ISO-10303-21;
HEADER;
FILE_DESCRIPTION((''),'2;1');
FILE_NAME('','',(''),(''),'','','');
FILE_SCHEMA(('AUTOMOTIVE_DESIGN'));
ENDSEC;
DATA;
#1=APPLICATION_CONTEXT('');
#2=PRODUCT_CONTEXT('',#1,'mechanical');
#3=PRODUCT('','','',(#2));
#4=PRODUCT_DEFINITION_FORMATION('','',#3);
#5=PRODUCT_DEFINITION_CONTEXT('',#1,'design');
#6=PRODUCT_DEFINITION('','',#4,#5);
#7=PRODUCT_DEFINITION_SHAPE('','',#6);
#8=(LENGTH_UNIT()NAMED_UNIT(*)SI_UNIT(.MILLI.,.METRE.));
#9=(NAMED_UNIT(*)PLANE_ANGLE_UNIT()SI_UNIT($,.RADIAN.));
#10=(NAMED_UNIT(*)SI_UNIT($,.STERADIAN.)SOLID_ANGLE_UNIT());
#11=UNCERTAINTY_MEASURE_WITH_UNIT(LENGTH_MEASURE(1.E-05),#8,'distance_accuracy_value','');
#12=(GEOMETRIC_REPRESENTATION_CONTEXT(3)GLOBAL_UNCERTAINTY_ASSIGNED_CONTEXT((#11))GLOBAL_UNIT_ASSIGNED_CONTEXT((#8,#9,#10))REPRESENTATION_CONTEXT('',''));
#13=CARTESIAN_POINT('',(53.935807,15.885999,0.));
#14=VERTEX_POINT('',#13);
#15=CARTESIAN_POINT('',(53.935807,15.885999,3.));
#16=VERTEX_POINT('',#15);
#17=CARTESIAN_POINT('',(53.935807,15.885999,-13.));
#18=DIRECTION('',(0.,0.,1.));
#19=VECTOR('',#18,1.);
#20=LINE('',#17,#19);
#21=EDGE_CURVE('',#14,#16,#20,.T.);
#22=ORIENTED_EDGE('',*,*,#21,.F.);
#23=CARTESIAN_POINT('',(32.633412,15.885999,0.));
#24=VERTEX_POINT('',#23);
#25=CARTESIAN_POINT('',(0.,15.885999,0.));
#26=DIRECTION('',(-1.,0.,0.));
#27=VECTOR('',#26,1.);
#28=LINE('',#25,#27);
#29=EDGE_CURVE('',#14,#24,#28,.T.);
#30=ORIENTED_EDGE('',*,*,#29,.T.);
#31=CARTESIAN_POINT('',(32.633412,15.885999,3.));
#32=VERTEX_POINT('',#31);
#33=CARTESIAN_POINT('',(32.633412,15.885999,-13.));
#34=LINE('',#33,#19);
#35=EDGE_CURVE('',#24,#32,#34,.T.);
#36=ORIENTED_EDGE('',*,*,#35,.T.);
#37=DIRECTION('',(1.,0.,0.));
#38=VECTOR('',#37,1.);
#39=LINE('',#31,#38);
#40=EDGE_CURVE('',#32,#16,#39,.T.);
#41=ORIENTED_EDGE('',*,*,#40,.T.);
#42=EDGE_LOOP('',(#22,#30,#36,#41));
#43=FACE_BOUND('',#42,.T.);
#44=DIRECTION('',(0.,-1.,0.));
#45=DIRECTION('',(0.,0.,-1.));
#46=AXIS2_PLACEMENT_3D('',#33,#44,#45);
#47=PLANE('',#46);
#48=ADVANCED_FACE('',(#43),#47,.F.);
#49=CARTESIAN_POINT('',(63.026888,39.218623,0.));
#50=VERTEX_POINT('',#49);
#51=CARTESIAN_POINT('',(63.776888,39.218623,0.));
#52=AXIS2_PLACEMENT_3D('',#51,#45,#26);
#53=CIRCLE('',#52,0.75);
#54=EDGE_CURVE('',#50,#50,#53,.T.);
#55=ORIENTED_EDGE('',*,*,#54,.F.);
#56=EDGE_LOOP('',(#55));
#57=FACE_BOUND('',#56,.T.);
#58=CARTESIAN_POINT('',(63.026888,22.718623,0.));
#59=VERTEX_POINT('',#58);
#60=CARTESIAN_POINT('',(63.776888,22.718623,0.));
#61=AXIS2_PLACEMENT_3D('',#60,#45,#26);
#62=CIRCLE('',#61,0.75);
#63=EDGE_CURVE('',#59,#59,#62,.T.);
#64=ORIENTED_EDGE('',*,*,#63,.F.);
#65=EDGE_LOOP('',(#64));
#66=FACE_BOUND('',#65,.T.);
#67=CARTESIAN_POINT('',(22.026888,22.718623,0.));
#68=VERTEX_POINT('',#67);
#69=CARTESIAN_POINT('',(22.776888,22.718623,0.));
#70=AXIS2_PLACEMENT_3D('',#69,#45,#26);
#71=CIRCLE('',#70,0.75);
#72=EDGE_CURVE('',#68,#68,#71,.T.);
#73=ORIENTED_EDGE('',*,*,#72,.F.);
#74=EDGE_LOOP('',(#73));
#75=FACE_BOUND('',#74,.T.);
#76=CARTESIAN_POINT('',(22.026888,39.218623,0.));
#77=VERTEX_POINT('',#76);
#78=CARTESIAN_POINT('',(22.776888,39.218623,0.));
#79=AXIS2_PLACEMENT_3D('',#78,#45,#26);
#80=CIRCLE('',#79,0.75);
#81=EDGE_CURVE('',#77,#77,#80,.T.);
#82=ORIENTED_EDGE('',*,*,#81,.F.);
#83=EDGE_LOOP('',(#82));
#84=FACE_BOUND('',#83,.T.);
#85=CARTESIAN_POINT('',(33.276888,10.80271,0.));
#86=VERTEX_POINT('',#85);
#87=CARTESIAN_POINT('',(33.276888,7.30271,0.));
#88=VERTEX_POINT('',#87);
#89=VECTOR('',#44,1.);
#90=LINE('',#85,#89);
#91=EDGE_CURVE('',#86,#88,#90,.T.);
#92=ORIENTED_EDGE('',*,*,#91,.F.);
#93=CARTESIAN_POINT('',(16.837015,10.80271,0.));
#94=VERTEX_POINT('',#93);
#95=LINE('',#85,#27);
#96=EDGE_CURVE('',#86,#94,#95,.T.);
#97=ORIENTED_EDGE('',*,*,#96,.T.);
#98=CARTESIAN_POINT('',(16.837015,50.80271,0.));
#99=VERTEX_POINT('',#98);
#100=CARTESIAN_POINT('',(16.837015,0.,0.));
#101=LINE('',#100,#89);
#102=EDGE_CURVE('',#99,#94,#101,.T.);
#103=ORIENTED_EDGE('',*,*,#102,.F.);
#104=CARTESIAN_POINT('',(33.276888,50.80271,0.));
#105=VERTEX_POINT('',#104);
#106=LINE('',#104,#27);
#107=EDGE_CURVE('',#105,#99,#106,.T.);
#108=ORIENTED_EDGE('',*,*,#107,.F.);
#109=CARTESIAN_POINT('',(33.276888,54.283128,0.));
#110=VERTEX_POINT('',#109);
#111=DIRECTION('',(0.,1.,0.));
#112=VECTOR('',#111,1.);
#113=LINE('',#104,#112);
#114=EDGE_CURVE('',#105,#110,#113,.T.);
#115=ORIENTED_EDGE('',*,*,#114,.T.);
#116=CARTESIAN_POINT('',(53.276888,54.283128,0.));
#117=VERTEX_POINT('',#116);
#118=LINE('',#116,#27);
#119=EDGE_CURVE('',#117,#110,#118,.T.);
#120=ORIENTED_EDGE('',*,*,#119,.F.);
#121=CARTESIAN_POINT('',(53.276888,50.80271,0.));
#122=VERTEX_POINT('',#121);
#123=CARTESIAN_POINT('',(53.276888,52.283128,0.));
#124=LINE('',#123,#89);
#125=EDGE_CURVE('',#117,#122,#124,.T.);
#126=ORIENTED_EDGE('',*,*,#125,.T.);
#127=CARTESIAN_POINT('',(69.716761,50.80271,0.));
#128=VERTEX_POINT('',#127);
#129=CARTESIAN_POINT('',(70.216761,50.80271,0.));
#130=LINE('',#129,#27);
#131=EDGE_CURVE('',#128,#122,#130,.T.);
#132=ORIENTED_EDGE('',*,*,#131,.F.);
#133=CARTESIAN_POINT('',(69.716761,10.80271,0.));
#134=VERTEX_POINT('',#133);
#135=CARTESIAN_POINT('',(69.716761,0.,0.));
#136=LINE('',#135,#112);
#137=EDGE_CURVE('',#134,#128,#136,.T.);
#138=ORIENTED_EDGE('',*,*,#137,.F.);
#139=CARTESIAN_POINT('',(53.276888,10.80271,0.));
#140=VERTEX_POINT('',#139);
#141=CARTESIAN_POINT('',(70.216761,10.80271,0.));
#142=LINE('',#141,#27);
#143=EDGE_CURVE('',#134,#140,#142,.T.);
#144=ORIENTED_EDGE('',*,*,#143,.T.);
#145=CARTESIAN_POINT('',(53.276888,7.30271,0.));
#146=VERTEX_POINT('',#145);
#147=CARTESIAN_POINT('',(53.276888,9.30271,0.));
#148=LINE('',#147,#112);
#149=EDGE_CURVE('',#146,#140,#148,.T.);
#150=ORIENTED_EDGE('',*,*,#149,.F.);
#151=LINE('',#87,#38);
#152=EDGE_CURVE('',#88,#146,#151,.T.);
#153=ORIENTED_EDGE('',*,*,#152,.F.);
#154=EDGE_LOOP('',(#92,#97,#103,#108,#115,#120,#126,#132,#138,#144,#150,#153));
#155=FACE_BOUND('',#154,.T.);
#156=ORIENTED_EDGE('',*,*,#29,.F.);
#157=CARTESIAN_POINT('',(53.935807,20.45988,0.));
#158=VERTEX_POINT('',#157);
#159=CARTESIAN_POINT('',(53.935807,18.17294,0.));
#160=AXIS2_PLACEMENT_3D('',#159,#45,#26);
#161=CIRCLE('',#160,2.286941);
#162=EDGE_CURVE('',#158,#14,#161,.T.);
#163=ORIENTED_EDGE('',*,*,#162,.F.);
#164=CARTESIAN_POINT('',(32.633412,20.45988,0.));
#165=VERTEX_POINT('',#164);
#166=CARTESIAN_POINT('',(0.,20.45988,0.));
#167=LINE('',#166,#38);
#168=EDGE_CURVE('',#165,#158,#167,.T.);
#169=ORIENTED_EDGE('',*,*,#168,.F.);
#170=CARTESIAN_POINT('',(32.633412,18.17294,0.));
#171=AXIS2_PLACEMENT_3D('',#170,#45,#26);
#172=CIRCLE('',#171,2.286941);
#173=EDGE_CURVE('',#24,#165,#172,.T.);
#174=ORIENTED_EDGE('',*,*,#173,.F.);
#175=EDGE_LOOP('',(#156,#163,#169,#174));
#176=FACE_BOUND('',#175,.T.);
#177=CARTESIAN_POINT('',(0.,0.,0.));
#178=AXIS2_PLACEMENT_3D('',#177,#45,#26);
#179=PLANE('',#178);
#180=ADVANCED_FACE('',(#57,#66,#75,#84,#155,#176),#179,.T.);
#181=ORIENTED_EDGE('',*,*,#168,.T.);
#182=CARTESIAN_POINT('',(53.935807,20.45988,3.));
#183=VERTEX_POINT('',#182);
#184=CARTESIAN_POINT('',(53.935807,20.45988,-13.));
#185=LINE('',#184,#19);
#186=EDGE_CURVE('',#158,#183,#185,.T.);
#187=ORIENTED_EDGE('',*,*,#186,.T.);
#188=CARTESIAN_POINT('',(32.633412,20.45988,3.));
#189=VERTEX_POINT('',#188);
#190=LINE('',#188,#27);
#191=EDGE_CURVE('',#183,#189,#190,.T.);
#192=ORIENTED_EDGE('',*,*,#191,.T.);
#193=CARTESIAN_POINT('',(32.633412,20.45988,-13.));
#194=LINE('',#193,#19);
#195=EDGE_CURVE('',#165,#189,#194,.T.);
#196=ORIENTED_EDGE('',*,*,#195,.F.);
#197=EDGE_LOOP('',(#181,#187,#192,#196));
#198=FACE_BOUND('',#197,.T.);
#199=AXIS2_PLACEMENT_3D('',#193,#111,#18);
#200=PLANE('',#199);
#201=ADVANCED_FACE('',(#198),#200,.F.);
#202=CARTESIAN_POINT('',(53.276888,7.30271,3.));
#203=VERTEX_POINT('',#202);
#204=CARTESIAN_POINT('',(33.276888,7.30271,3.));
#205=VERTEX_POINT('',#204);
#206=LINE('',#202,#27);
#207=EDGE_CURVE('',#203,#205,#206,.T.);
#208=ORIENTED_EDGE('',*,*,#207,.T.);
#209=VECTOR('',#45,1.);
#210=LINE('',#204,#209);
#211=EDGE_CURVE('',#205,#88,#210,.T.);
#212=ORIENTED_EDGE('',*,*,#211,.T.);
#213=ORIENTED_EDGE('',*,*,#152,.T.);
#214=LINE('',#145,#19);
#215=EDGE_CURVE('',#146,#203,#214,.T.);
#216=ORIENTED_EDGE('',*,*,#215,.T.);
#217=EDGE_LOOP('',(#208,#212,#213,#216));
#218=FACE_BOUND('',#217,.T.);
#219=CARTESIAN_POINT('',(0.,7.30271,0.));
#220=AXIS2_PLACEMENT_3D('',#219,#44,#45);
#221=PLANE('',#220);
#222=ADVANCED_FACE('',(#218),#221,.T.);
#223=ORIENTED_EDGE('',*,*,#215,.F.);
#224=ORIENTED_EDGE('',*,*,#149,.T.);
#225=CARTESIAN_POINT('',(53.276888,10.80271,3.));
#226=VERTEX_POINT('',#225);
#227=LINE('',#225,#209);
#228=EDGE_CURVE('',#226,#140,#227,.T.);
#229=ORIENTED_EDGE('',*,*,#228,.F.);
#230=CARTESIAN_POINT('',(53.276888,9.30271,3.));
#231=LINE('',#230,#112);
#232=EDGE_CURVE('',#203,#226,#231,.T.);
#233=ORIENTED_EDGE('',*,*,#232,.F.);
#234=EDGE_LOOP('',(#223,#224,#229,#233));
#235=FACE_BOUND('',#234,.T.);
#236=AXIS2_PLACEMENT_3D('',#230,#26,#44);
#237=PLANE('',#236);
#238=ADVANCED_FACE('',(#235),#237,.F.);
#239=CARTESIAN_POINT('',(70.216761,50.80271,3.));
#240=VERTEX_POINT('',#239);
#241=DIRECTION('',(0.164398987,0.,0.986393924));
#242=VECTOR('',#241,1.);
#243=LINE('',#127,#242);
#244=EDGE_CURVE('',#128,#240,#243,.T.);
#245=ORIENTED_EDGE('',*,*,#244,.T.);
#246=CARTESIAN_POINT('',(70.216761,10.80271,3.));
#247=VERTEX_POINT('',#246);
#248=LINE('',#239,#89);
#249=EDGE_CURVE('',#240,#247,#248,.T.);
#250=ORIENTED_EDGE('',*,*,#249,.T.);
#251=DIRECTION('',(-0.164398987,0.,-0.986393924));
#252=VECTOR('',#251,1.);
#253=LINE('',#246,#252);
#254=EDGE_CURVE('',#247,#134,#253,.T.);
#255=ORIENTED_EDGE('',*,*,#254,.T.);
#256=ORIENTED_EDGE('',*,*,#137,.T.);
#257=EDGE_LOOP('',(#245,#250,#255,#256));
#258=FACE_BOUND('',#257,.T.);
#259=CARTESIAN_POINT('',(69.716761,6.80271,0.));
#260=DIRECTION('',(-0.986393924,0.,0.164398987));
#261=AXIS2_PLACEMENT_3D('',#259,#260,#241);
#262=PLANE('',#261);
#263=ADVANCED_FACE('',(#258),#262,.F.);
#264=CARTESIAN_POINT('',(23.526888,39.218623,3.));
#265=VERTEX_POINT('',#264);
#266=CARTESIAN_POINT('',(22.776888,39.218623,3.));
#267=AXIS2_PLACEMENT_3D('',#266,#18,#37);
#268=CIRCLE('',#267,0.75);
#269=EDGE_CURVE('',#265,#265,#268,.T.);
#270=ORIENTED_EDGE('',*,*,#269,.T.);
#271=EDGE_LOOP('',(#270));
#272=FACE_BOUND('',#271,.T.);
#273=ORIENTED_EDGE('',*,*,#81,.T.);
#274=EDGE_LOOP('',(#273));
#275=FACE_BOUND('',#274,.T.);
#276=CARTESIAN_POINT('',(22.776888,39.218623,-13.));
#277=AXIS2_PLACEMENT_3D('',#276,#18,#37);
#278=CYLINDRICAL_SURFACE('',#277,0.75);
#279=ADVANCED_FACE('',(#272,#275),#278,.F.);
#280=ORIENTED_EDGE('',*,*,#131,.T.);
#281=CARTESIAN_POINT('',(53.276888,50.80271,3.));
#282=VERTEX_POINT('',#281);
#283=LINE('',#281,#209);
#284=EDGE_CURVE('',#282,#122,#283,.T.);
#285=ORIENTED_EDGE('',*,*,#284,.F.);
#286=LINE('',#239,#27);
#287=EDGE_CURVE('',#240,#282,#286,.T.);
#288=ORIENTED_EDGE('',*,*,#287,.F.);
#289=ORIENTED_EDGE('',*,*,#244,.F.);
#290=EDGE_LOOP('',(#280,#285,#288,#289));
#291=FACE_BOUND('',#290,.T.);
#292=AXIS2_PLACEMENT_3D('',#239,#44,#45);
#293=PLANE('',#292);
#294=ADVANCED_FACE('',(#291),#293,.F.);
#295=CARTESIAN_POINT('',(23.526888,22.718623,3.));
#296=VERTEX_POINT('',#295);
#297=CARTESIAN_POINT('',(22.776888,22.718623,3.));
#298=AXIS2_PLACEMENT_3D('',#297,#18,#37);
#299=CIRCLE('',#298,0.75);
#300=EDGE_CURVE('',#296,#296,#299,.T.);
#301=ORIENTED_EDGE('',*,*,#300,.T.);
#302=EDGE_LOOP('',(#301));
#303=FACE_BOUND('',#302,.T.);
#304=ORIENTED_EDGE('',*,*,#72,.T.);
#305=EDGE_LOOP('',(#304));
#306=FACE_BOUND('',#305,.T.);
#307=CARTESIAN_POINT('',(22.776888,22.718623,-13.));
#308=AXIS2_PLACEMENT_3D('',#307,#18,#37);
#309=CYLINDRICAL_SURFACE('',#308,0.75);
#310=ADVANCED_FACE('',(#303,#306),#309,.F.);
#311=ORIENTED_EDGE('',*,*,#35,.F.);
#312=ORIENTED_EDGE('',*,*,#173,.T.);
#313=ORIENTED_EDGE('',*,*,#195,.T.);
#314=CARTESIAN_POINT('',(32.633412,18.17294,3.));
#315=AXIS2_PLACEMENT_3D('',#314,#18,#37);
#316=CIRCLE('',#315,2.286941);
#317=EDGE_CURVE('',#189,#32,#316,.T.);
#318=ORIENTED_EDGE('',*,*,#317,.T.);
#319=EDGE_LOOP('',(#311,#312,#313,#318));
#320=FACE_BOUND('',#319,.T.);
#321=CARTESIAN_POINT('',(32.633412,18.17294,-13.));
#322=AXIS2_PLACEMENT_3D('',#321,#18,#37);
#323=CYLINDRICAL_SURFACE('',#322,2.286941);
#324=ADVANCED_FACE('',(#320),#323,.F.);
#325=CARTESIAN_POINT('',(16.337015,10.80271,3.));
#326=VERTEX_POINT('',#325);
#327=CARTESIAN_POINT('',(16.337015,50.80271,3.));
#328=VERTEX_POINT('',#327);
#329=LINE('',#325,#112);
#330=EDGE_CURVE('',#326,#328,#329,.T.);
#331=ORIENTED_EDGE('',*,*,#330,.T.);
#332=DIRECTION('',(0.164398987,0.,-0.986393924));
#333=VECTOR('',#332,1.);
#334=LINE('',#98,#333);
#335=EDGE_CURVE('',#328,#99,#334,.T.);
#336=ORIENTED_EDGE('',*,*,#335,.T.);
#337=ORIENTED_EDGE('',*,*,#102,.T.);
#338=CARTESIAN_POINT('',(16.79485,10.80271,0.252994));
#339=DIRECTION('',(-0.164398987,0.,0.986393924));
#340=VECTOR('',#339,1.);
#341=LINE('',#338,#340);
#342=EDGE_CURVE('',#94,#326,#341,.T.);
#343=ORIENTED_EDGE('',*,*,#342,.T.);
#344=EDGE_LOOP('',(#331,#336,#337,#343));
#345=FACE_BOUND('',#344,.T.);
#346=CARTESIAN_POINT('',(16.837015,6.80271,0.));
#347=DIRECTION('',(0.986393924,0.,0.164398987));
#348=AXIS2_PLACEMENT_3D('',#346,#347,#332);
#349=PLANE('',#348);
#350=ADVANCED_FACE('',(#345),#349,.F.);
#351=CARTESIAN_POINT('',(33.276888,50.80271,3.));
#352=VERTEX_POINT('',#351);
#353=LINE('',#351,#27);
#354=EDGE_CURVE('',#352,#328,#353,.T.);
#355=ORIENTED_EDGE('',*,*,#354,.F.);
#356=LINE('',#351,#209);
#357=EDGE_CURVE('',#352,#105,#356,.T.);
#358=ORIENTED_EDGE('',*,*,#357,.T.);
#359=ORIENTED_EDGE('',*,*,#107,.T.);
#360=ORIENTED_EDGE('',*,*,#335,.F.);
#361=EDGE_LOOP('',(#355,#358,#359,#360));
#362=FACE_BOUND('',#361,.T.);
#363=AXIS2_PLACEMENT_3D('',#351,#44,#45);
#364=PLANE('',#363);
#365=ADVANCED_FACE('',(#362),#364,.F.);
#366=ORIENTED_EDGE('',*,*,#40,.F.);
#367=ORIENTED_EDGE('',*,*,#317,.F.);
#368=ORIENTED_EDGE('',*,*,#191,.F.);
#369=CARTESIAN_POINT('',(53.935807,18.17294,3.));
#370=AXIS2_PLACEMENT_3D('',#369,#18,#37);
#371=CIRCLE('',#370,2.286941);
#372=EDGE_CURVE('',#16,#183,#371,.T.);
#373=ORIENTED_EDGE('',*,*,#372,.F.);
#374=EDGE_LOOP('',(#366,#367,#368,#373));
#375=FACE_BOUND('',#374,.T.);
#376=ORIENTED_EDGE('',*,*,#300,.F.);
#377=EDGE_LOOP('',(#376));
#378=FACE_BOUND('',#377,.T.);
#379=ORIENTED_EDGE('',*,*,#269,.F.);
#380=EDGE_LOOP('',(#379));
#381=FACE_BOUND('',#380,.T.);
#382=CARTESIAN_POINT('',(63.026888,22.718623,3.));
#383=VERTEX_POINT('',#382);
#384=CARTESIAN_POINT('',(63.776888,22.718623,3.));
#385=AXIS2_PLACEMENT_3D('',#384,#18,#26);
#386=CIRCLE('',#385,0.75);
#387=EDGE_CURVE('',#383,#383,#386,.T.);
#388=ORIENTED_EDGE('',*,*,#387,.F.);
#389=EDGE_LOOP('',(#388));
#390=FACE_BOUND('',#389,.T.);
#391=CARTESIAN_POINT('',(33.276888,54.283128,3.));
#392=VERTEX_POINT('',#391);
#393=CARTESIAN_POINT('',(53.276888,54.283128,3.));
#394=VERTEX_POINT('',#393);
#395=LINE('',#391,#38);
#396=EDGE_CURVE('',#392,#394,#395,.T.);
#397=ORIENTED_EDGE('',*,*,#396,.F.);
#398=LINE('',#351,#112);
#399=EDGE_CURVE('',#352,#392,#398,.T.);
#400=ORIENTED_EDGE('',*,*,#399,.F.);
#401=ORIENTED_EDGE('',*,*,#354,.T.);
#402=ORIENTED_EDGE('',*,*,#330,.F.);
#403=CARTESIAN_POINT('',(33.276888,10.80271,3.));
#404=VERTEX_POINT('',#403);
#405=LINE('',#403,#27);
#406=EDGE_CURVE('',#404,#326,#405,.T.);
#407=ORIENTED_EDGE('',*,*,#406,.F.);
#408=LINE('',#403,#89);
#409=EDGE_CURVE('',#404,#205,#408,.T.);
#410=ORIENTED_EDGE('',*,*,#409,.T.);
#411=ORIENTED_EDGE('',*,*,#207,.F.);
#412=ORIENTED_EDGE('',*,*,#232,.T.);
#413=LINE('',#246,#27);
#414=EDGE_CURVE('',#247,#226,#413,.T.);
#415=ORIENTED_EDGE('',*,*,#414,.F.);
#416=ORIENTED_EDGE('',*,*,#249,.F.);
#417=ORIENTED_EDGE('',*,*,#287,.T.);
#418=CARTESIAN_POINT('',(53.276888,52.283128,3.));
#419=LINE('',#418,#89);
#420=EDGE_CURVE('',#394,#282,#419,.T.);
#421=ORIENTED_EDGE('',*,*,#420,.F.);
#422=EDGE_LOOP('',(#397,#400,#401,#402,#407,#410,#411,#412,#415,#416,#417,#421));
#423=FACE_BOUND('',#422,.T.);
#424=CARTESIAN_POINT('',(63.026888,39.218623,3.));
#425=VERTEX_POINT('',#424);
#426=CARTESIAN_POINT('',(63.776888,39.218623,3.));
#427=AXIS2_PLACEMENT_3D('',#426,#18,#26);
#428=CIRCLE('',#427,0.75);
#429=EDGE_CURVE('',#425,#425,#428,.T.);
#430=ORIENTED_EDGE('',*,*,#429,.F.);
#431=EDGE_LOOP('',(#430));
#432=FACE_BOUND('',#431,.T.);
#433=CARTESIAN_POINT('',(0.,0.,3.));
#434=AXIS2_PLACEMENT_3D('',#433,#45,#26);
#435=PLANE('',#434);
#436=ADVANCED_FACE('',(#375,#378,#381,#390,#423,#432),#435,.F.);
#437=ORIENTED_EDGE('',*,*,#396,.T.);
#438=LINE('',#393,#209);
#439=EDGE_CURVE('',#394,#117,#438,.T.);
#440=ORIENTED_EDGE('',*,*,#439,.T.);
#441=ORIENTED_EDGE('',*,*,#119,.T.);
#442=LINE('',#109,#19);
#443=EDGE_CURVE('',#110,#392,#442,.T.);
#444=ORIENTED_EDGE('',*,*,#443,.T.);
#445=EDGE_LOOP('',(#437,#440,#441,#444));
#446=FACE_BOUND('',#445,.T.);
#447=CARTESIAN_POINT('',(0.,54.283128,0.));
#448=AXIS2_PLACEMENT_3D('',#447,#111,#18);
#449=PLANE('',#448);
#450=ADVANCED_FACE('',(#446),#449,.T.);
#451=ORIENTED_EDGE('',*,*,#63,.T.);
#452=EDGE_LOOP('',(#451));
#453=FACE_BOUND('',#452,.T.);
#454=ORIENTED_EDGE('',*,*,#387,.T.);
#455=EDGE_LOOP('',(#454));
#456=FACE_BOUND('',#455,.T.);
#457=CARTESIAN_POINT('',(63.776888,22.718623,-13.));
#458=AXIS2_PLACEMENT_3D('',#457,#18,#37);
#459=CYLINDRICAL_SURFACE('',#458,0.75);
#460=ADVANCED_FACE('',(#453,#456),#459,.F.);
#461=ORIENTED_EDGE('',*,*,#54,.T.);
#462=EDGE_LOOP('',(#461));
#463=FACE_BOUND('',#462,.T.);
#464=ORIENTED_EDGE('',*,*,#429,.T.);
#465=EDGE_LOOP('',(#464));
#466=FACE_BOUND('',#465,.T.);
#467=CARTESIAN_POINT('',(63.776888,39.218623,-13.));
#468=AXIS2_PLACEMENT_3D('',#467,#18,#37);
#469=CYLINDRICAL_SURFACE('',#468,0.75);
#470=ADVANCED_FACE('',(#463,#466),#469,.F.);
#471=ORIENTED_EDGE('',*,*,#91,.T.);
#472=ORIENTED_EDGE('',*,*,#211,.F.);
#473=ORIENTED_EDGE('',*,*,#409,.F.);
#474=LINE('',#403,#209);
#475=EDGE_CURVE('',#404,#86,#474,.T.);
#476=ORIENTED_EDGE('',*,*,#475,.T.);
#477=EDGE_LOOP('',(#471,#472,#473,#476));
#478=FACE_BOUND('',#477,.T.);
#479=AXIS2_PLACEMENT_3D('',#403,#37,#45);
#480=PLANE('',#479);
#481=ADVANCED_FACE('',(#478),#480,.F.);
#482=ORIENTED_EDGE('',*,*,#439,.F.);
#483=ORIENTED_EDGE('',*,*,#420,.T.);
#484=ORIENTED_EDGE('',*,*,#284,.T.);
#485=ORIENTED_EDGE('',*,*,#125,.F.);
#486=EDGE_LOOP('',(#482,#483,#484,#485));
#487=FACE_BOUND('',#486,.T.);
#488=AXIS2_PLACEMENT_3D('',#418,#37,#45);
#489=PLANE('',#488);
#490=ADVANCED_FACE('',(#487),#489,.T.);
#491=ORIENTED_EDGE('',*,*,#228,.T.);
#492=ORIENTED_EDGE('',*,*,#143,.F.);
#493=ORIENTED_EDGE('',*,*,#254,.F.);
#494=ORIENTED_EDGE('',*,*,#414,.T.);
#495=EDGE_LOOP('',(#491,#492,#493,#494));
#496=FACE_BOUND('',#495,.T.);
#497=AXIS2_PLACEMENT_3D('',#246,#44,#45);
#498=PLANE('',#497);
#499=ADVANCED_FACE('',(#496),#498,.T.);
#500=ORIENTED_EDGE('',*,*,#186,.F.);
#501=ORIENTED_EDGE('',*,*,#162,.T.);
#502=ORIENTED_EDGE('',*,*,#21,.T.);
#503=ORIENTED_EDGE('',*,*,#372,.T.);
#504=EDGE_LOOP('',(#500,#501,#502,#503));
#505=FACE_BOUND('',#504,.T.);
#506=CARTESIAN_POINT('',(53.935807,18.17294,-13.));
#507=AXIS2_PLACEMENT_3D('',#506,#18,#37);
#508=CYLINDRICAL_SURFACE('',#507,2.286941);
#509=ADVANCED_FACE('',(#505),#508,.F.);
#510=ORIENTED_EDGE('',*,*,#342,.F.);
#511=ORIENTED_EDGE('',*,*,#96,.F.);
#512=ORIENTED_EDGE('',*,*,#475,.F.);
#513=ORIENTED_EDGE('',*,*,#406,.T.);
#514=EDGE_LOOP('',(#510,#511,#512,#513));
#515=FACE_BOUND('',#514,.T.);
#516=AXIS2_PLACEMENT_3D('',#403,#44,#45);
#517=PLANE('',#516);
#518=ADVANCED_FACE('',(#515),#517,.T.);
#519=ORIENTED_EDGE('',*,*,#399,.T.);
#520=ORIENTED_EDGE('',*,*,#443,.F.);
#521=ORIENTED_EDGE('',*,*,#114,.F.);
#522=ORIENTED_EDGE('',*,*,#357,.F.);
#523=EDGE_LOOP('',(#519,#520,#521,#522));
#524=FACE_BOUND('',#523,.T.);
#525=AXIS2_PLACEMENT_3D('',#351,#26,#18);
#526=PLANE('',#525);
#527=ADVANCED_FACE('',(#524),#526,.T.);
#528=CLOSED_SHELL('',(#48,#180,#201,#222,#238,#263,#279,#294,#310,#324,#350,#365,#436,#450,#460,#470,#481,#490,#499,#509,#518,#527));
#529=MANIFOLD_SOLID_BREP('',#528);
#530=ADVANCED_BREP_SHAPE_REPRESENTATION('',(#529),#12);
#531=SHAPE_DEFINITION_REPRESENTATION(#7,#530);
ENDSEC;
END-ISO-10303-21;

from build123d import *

# Parameters (mm, degrees)
BOSS_EXTRUDE1_DEPTH = 3
SKETCH1_W           = 20
SKETCH1_H           = 3
BOSS_EXTRUDE2_DEPTH = 2
SKETCH2_W           = 20
SKETCH2_H           = 3
BOSS_EXTRUDE3_DEPTH = 2
CUT_EXTRUDE4_DEPTH  = 44
SKETCH4_R           = 0.75
CUT_EXTRUDE5_DEPTH  = 16
CUT_EXTRUDE6_DEPTH  = 16


with BuildPart() as part:
    # Model → Boss-Extrude1 (new body)
    with BuildSketch(Plane.XY):
        Polygon((70.216761418, 10.802709547), (53.276888396, 10.802709547), (53.276888396, 9.302709547), (33.276888396, 9.302709547), (33.276888396, 10.802709547), (16.337015373, 10.802709547), (16.337015373, 50.802709547), (33.276888396, 50.802709547), (33.276888396, 52.283127555), (53.276888396, 52.283127555), (53.276888396, 50.802709547), (70.216761418, 50.802709547), align=None)
    extrude(amount=BOSS_EXTRUDE1_DEPTH)

    # Sketch1 → Boss-Extrude2 (add)
    with BuildSketch(Plane.XZ.offset(-9.302709547)):
        with Locations((43.276888396, 1.5)):
            Rectangle(SKETCH1_W, SKETCH1_H)
    extrude(amount=BOSS_EXTRUDE2_DEPTH)

    # Sketch2 → Boss-Extrude3 (add)
    with BuildSketch(Plane(origin=(0, 52.283127555, 0), x_dir=(1, 0, 0), z_dir=(0, 1, 0))):
        with Locations((43.276888396, -1.5)):
            Rectangle(SKETCH2_W, SKETCH2_H)
    extrude(amount=BOSS_EXTRUDE3_DEPTH)

    # Sketch3 → Cut-Extrude4 (cut)
    with BuildSketch(Plane(origin=(0, 50.802709547, 0), x_dir=(1, 0, 0), z_dir=(0, 1, 0))):
        Polygon((70.216761418, 0), (69.716761418, 0), (70.216761418, -3), align=None)
        Polygon((16.337015373, -3), (16.337015373, 0), (16.837015373, 0), align=None)
    extrude(amount=-CUT_EXTRUDE4_DEPTH, mode=Mode.SUBTRACT)

    # Sketch4 → Cut-Extrude5 (cut)
    with BuildSketch(Plane.XY.offset(3)):
        with Locations((22.776888396, 39.218622605)):
            Circle(SKETCH4_R)
        with Locations((22.776888396, 22.718622605)):
            Circle(SKETCH4_R)
        with Locations(Location((63.776888396, 22.718622605, 0), (0, 0, 180))):
            Circle(SKETCH4_R)
        with Locations(Location((63.776888396, 39.218622605, 0), (0, 0, 180))):
            Circle(SKETCH4_R)
    extrude(amount=-CUT_EXTRUDE5_DEPTH, mode=Mode.SUBTRACT)

    # Sketch5 → Cut-Extrude6 (cut)
    with BuildSketch(Plane.XY.offset(3)):
        with BuildLine():
            Line((32.633411635, 20.459880451), (53.935807441, 20.459880451))
            ThreePointArc((53.935807441, 20.459880451), (56.222748266, 18.172939626), (53.935807441, 15.885998802))
            Line((53.935807441, 15.885998802), (32.633411635, 15.885998802))
            ThreePointArc((32.633411635, 15.885998802), (30.34647081, 18.172939626), (32.633411635, 20.459880451))
        make_face()
    extrude(amount=-CUT_EXTRUDE6_DEPTH, mode=Mode.SUBTRACT)


solid = part.part
